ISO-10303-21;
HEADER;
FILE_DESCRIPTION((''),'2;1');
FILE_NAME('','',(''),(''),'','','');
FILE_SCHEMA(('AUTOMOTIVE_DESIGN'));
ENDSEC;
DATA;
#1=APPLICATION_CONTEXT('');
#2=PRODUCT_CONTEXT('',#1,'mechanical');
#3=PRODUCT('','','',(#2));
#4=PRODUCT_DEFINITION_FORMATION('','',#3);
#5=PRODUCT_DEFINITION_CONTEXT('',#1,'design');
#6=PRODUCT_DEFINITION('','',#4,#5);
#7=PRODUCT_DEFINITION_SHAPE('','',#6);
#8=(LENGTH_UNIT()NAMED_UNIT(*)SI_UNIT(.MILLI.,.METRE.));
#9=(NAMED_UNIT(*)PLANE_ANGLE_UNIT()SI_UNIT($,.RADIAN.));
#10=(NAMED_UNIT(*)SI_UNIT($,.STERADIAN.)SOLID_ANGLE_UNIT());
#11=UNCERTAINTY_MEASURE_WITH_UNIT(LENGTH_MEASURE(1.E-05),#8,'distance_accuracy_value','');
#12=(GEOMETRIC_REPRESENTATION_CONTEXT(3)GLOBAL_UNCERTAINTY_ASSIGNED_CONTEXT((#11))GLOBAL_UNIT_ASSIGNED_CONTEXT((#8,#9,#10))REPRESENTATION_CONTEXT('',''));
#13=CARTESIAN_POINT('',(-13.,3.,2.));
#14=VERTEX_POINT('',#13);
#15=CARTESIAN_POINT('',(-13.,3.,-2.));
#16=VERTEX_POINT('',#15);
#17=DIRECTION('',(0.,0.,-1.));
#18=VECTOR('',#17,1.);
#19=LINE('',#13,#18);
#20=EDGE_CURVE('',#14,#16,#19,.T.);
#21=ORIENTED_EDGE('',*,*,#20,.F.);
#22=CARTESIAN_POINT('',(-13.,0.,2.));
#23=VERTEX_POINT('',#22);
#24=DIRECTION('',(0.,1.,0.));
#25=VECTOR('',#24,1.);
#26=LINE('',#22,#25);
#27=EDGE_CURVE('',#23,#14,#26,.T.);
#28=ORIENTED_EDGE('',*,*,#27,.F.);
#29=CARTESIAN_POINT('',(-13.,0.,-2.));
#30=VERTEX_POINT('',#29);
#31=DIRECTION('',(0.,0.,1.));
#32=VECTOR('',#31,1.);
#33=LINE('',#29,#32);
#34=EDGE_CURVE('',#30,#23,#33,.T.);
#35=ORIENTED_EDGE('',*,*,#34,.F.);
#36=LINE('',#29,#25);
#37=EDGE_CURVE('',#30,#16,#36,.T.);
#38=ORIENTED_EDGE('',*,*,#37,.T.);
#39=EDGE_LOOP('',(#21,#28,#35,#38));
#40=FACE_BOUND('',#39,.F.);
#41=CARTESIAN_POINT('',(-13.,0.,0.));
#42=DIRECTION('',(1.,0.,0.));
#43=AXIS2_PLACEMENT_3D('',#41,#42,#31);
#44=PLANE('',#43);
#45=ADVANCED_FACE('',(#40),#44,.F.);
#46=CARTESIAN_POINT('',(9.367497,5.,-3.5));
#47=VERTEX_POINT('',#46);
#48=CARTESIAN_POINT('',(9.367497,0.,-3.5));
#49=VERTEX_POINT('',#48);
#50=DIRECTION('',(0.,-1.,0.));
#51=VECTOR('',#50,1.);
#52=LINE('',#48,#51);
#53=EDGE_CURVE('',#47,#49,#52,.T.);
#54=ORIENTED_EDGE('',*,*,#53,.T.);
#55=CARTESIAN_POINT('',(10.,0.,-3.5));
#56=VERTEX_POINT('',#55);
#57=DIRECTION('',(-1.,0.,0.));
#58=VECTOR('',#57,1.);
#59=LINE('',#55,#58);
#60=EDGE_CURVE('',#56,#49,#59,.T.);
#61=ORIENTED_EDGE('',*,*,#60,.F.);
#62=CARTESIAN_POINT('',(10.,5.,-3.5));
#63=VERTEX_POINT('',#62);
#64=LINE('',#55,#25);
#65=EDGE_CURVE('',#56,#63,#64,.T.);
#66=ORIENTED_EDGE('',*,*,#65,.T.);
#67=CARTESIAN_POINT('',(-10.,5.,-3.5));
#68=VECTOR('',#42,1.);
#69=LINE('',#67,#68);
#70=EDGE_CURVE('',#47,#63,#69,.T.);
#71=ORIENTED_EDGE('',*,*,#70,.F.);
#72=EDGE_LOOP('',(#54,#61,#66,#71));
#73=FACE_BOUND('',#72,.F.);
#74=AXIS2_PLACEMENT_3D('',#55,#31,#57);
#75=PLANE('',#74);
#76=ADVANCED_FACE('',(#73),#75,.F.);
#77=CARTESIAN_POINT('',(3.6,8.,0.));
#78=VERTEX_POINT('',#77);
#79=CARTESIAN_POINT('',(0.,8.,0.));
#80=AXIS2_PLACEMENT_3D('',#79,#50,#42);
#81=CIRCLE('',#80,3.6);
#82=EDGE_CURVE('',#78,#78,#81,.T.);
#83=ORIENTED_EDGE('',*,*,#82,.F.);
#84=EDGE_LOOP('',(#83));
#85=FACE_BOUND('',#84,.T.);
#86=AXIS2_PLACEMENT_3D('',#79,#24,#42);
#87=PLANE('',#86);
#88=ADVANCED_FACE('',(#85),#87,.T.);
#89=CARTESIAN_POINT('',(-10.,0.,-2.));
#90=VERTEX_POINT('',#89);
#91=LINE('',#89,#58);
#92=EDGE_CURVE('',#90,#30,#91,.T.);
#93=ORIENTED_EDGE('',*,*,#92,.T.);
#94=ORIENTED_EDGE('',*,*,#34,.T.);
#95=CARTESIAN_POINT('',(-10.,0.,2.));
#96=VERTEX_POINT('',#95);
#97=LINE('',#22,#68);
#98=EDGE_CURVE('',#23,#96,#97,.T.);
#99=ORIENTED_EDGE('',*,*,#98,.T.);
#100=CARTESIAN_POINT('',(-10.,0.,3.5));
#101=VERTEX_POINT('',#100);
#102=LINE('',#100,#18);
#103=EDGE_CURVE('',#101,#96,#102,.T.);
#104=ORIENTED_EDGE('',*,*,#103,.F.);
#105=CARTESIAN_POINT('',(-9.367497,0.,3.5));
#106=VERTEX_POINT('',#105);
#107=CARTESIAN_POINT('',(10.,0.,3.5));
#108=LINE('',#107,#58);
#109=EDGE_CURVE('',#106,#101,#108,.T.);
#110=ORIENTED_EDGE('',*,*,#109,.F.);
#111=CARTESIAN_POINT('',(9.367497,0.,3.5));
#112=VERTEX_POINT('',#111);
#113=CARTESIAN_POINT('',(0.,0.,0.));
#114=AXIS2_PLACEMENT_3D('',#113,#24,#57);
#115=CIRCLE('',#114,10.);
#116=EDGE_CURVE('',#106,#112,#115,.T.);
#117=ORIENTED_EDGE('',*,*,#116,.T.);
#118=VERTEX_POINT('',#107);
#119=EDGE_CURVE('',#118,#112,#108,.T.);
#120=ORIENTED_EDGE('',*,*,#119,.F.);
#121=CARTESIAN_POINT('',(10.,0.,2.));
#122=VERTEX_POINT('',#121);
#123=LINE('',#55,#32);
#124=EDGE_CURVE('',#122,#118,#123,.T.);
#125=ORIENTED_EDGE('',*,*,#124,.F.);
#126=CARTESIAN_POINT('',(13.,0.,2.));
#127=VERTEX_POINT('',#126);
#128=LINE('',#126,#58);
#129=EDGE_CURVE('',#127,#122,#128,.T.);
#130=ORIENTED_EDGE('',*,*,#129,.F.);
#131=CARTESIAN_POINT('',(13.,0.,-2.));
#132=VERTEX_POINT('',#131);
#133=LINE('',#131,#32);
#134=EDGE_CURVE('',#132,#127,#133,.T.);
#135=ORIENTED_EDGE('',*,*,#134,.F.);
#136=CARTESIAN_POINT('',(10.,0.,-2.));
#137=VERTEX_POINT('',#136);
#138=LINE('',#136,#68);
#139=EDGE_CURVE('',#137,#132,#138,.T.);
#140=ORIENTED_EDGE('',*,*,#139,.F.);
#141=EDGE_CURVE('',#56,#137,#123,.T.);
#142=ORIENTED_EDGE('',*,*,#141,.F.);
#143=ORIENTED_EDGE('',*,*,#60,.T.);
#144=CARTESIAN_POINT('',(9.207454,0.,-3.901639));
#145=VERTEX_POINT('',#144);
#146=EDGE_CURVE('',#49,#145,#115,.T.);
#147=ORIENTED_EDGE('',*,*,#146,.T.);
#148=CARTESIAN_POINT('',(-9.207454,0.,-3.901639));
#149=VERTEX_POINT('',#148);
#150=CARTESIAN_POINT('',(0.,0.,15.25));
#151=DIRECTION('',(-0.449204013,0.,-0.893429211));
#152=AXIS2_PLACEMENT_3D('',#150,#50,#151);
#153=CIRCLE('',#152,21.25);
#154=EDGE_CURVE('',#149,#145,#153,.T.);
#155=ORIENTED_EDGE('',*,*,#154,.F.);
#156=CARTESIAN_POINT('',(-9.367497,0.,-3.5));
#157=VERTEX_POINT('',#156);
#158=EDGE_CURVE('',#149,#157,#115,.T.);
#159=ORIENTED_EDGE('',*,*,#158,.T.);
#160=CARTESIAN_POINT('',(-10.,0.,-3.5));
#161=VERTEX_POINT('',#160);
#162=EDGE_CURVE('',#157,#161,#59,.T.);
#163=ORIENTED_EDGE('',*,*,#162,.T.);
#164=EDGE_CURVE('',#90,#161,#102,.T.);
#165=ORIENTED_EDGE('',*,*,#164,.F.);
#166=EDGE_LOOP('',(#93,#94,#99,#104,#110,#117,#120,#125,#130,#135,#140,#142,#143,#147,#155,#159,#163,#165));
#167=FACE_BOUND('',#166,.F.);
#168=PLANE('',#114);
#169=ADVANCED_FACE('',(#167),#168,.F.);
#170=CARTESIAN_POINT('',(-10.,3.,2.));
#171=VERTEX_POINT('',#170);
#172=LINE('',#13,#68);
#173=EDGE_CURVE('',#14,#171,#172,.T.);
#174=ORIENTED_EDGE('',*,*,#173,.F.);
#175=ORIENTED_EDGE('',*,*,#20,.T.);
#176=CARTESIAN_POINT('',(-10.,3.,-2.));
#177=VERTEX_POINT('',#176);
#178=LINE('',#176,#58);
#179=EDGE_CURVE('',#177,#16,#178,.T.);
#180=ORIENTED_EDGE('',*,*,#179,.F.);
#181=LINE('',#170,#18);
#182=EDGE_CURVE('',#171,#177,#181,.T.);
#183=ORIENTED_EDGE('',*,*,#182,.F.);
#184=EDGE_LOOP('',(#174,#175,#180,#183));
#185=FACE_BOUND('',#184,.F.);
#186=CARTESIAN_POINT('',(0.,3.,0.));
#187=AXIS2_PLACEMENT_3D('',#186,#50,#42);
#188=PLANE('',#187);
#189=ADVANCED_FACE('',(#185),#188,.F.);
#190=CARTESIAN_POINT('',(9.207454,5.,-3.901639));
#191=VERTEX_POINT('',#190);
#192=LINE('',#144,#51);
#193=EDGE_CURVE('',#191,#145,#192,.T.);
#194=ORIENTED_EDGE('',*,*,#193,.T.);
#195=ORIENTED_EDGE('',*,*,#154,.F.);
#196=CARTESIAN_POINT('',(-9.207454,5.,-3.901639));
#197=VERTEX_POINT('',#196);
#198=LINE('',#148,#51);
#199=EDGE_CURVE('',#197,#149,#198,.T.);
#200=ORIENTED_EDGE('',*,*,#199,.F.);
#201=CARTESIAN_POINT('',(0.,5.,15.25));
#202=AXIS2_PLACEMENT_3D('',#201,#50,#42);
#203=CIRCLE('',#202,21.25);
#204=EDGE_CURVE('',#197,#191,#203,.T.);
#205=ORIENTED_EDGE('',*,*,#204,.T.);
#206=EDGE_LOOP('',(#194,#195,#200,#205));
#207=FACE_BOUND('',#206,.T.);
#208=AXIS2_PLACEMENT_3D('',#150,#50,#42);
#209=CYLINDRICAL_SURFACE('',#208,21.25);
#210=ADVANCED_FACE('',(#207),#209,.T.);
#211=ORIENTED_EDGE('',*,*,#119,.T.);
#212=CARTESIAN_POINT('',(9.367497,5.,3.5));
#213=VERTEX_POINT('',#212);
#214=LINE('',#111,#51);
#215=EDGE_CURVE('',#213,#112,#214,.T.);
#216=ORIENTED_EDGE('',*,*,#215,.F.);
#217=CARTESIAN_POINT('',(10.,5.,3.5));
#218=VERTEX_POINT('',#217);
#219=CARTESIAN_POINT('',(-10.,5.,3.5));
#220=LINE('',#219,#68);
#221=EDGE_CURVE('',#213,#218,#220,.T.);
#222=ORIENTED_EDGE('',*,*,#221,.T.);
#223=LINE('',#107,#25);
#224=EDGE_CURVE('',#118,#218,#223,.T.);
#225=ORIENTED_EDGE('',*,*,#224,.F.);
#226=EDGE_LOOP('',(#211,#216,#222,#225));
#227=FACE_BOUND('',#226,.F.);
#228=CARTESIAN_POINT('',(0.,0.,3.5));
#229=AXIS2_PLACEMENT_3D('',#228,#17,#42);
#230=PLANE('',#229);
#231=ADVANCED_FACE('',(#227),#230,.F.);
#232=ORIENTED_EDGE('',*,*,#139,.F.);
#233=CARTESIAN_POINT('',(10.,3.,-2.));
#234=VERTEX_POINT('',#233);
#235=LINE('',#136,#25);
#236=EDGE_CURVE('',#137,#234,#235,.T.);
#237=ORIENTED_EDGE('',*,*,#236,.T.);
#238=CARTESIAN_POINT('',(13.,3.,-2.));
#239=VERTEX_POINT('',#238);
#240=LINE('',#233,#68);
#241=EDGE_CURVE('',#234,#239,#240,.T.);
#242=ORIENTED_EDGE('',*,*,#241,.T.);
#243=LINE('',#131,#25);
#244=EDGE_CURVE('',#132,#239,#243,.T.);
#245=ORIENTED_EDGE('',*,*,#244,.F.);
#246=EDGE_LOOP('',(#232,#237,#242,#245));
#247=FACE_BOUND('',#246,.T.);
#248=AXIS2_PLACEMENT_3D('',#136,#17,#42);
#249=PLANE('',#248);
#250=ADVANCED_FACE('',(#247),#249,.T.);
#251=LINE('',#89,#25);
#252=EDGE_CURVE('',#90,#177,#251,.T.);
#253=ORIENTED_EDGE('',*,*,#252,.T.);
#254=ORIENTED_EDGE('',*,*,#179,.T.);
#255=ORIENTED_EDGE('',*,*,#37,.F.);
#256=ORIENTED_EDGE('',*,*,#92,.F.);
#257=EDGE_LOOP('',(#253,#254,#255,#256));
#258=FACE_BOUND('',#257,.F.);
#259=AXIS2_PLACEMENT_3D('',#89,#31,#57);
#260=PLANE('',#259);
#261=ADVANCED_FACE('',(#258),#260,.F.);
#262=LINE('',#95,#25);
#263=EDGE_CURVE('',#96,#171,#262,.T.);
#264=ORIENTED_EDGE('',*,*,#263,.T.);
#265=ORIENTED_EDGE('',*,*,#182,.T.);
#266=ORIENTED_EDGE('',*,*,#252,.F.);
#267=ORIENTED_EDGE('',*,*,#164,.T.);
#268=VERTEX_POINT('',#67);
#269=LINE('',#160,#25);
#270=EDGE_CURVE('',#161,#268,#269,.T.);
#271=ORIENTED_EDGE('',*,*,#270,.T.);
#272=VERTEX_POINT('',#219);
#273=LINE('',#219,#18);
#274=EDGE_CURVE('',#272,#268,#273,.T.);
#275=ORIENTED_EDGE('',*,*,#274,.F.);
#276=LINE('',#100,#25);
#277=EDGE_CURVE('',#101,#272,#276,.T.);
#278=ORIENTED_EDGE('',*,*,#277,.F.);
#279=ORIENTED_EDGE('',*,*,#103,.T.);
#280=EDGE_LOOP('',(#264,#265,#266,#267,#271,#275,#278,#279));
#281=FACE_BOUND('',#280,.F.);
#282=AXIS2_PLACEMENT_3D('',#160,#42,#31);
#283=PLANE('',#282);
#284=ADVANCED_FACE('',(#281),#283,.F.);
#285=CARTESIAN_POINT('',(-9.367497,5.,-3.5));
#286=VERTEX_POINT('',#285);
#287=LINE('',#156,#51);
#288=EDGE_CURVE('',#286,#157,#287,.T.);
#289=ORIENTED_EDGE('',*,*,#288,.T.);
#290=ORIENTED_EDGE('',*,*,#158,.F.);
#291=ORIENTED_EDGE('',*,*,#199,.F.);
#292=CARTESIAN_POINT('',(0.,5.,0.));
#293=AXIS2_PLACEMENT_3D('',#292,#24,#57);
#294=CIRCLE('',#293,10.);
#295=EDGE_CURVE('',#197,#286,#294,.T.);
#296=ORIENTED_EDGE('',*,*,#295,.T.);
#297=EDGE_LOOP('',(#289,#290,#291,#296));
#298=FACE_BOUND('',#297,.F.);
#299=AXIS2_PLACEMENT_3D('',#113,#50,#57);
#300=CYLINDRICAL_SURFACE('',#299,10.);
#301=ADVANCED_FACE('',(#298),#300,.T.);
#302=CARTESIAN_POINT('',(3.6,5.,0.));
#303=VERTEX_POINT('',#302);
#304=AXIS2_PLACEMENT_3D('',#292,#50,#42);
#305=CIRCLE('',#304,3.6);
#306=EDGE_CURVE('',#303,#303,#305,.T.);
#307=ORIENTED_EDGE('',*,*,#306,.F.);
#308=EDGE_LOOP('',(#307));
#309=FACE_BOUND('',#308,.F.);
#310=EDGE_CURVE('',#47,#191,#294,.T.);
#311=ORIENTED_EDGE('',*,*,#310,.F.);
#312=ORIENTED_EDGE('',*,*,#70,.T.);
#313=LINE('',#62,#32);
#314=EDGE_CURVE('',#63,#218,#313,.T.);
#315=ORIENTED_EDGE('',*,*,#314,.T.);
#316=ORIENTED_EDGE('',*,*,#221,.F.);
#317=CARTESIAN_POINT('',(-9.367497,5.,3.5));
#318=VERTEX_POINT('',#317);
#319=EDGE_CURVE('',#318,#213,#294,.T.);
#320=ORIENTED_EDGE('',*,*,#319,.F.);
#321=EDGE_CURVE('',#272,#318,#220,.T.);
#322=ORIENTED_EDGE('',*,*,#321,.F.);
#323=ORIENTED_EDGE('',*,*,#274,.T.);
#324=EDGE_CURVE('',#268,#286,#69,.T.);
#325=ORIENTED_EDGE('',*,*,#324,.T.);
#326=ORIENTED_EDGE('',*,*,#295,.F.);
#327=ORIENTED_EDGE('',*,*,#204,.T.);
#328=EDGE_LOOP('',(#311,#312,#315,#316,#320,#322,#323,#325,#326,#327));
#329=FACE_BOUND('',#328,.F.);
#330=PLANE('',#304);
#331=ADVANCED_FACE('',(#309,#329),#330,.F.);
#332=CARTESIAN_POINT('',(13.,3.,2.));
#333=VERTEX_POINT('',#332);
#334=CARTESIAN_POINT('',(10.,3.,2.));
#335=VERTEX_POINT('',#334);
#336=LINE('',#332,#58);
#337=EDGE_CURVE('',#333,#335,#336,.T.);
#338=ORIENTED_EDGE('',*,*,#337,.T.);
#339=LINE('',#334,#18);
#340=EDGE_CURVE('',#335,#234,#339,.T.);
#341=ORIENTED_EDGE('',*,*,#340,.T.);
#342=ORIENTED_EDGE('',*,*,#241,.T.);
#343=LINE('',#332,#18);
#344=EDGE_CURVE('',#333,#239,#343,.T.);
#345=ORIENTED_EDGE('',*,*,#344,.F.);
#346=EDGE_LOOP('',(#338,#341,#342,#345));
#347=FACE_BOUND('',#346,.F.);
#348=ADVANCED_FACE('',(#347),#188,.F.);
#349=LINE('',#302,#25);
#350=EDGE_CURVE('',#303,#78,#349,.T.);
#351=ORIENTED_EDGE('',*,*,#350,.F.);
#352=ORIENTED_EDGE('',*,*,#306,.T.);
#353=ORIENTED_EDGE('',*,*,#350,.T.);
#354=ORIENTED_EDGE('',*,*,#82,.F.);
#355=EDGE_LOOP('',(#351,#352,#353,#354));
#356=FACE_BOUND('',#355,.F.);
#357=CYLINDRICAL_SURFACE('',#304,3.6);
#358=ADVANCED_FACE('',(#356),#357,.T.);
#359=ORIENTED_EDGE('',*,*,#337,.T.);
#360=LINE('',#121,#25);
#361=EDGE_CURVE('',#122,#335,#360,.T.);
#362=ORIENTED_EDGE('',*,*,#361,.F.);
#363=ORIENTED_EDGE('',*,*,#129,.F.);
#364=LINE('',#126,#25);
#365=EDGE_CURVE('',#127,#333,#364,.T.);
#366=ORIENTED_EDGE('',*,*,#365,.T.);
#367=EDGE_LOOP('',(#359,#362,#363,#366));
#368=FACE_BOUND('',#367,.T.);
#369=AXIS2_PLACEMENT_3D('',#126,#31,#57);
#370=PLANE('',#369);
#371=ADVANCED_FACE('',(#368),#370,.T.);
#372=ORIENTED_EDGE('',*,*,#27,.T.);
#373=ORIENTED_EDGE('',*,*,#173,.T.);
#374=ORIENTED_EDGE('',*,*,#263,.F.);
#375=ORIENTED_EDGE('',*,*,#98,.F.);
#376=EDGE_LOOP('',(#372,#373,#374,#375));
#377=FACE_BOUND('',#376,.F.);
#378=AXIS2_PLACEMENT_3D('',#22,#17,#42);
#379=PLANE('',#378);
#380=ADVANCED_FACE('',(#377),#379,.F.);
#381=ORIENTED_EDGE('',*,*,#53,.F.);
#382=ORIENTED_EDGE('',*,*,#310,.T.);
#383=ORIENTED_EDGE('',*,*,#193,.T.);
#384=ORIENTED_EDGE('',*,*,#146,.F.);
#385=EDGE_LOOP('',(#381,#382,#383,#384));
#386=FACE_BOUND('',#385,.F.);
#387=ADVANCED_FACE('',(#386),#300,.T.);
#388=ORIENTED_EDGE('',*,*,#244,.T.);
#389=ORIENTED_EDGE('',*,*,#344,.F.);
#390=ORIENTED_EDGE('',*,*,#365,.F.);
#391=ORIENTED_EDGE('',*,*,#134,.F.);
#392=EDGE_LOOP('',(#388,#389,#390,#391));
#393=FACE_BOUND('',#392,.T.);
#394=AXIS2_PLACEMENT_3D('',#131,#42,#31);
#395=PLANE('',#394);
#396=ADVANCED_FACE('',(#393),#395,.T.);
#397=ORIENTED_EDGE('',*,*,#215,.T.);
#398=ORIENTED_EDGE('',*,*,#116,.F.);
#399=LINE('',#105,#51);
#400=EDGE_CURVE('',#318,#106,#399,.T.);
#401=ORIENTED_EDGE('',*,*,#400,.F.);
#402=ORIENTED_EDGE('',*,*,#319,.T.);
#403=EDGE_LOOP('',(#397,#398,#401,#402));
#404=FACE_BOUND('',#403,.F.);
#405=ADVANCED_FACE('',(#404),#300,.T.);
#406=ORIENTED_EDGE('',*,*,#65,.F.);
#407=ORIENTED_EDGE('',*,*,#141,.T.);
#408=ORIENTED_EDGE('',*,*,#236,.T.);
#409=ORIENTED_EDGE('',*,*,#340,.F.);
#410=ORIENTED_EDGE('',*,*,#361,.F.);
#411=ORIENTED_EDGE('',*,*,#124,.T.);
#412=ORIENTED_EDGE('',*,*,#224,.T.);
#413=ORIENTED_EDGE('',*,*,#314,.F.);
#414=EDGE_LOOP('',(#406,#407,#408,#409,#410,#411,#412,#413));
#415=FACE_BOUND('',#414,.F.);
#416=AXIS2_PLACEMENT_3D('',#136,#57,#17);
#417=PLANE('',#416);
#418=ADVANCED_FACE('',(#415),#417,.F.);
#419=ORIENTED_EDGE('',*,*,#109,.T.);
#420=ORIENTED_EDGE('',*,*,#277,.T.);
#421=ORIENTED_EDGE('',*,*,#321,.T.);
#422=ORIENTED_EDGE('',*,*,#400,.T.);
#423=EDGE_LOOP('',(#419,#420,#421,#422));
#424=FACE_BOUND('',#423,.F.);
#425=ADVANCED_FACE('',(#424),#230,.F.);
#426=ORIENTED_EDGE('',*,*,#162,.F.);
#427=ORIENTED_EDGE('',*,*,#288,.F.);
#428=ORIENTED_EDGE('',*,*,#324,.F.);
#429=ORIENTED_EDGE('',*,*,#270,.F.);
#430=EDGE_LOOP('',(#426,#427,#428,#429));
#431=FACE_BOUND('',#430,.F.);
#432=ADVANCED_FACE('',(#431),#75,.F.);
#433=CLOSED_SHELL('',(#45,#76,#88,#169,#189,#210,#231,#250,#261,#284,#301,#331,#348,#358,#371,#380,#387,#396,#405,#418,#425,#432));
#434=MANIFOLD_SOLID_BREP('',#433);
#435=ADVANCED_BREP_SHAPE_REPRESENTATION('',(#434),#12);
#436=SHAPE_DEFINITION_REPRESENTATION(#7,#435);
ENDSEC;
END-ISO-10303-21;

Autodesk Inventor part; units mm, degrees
ref_plane "YZ Plane" through (0, 0, 0) normal (1, 0, 0) x (0, 1, 0)
ref_plane "XZ Plane" through (0, 0, 0) normal (0, 1, 0) x (-1, 0, 0)
ref_plane "XY Plane" through (0, 0, 0) normal (0, 0, 1) x (1, 0, 0)
sketch "Sketch1" plane through (0, 0, 0) normal (0, 1, 0) x (-1, 0, 0)
  circle A0 centre (0, 0) radius 10
  dimension "d0" = 20
extrude "Extrusion1" add sketch "Sketch1" along normal blind 5
sketch "Sketch2" plane through (0, 5, 0) normal (0, 1, 0) x (1, 0, 0)
  line L0 (-14, 0) -> (14, 0) projected
  line L1 (0, 14) -> (0, -14) projected
  circle A0 centre (0, 0) radius 3.6
  dimension "d3" = 7.2
extrude "Extrusion2" add sketch "Sketch2" along normal blind 3
sketch "Sketch3" plane through (0, 0, 0) normal (0, -1, 0) x (1, 0, 0)
  line L0 (10, -3.5) -> (-10, -3.5)
  line L1 (-10, -3.5) -> (-10, 3.5)
  line L2 (-10, 3.5) -> (10, 3.5)
  line L3 (10, 3.5) -> (10, -3.5)
  circle A0 centre (0, 0) radius 10 projected
  circle A1 centre (0, 0) radius 10 projected
  line L4 (-14, 0) -> (14, 0) projected
  line L5 (0, -14) -> (0, 14) projected
  line L6 (10, -2) -> (13, -2)
  line L7 (13, -2) -> (13, 2)
  line L8 (13, 2) -> (10, 2)
  line L9 (-10, -2) -> (-13, -2)
  line L10 (-13, -2) -> (-13, 2)
  line L11 (-13, 2) -> (-10, 2)
  dimension "d6" = 7
  dimension "d7" = 4
  dimension "d8" = 3
  dimension "d9" = 4
  dimension "d10" = 3
extrude "Extrusion3" add sketch "Sketch3" against normal up to surface (5 mm away) contours L0 A0 L3 | L0 L5 L4 A0 | L0 A0 L4 L5 | A0 L2 L3 | L4 L5 L2 A0 | L0 L1 A0 | L4 A0 L2 L5 | L1 L2 A0
extrude "Extrusion4" add sketch "Sketch3" against normal blind 3 contours L3 L4 L7 L6 | L3 L8 L7 L4 | L4 L10 L11 L1 | L1 L9 L10 L4
sketch "Sketch4" plane through (0, 0, 0) normal (0, -1, 0) x (1, 0, 0)
  arc A0 (9.3675, 3.5) -> (-9.3675, 3.5) centre (0, 0) ccw projected
  line L0 (-9.3675, 3.5) -> (-10, 3.5) projected
  line L1 (-10, 3.5) -> (-10, 2) projected
  line L2 (-10, 2) -> (-13, 2) projected
  line L3 (-13, 2) -> (-13, -2) projected
  line L4 (-13, -2) -> (-10, -2) projected
  line L5 (-10, -2) -> (-10, -3.5) projected
  line L6 (-10, -3.5) -> (-9.3675, -3.5) projected
  arc A1 (-9.3675, -3.5) -> (9.3675, -3.5) centre (0, 0) ccw projected
  line L7 (9.3675, -3.5) -> (10, -3.5) projected
  line L8 (10, -3.5) -> (10, -2) projected
  line L9 (10, -2) -> (13, -2) projected
  line L10 (13, -2) -> (13, 2) projected
  line L11 (13, 2) -> (10, 2) projected
  line L12 (10, 2) -> (10, 3.5) projected
  line L13 (10, 3.5) -> (9.3675, 3.5) projected
  line L14 (0, -31.9933) -> (0, 47.9155) projected
  line L15 (-29.75, 0) -> (29.75, 0) projected
  arc A2 (9.3675, 3.5) -> (-9.3675, 3.5) centre (0, 0) ccw projected
  circle A3 centre (0, 15.25) radius 21.25
  line L16 (15.0443, -6) -> (-18.096, -6) construction
  line L17 (10.2288, -3.7354) -> (10.2288, -20.5777)
  line L18 (10.2288, -20.5777) -> (-9.5456, -20.5777)
  line L19 (-9.5456, -20.5777) -> (-9.5456, -3.7354)
  line L20 (-9.5456, -3.7354) -> (-9.2762, -3.7354)
  line L21 (9.5456, -3.7354) -> (10.2288, -3.7354)
  dimension "d16" = 6
extrude "Extrusion5" cut sketch "Sketch4" against normal through all contours A3 A1 L14 | L14 A1 A3 | L14 L18 L19 A3 A1 | A1 A3 L21 L17 L18 L14
properties part number "turntable"
